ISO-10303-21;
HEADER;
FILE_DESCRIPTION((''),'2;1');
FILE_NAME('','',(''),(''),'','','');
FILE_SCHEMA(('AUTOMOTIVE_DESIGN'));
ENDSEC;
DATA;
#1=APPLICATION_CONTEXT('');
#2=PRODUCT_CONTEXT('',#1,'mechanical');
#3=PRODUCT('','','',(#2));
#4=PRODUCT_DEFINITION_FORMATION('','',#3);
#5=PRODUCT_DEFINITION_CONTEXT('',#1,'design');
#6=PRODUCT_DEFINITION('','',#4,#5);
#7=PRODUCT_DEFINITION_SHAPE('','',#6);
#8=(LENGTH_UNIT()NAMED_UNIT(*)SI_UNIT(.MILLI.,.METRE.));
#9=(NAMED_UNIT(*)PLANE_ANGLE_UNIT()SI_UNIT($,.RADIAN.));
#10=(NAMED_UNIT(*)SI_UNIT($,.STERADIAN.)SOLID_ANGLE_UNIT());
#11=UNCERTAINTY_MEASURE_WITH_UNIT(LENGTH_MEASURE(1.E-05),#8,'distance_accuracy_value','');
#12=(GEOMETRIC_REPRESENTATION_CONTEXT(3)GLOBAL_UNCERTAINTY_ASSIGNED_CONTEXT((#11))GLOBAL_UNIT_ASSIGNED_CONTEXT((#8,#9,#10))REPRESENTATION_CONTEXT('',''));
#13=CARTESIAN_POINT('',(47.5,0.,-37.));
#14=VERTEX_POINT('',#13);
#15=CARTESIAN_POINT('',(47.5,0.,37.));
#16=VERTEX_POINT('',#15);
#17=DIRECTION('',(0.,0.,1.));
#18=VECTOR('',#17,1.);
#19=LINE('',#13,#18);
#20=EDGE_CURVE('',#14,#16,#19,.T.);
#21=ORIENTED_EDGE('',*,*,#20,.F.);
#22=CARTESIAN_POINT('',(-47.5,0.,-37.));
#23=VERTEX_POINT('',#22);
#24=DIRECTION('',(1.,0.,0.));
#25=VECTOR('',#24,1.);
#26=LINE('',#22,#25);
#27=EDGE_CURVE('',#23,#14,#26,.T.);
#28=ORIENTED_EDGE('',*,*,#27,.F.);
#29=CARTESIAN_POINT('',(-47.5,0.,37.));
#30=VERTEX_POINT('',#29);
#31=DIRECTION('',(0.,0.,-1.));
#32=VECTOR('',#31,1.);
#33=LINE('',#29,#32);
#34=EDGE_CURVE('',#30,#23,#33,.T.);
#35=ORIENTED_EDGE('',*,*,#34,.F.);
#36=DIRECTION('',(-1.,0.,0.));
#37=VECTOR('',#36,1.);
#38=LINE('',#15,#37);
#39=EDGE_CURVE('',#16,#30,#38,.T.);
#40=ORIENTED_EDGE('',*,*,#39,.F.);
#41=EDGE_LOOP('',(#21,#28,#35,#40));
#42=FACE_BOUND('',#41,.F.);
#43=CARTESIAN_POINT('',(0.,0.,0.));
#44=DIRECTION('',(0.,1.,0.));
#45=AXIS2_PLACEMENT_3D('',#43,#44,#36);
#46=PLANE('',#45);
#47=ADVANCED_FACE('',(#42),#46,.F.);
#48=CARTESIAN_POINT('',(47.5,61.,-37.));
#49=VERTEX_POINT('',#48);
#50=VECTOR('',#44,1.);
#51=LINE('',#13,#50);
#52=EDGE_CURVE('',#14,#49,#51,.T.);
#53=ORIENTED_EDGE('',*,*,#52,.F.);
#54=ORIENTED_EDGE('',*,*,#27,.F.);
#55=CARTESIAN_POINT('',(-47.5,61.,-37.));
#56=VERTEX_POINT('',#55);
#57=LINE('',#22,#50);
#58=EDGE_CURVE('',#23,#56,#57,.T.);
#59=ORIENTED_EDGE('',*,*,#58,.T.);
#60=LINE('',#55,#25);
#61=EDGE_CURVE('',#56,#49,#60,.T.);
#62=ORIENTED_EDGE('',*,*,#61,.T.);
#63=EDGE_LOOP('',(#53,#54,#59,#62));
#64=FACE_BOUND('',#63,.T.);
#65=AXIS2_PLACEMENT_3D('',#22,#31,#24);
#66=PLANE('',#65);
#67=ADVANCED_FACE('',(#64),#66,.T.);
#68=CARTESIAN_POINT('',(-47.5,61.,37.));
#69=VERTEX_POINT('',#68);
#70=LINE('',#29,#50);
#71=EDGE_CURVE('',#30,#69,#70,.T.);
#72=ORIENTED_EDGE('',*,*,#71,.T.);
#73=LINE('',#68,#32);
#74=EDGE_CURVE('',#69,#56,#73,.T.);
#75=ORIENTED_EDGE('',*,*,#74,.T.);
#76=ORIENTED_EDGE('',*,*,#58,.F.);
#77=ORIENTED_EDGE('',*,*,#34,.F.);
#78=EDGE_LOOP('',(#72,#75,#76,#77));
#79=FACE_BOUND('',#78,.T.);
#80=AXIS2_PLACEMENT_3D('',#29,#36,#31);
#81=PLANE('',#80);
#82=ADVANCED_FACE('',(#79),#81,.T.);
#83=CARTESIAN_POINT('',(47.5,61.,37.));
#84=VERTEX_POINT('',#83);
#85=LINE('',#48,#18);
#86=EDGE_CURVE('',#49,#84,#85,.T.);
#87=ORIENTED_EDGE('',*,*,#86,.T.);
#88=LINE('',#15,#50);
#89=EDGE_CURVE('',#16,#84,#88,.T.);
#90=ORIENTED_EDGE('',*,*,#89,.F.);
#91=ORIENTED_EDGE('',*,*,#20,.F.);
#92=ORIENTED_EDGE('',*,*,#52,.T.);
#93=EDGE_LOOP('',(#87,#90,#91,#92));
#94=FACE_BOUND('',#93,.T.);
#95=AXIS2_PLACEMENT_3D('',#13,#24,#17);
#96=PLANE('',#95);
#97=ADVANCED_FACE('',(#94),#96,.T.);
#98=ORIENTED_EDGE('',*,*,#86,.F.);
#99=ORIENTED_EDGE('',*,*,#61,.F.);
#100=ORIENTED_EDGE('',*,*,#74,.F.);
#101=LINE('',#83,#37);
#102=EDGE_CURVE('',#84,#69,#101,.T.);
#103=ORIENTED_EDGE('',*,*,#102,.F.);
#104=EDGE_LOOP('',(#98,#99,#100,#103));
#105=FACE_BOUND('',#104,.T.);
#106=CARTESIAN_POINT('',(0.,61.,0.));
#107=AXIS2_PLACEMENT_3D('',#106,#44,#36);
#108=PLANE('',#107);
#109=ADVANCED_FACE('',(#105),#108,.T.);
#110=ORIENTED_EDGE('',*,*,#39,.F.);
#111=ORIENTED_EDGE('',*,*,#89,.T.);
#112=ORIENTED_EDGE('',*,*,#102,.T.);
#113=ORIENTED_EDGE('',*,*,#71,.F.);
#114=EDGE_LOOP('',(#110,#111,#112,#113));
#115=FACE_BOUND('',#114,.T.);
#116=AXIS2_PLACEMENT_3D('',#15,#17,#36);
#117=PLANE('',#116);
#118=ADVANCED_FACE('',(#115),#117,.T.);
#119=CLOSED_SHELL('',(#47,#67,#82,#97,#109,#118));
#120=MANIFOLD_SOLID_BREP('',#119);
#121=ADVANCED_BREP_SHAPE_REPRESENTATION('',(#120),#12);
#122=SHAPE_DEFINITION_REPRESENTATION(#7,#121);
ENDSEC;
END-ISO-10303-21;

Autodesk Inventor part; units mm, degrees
ref_plane "YZ Plane" through (0, 0, 0) normal (1, 0, 0) x (0, 1, 0)
ref_plane "XZ Plane" through (0, 0, 0) normal (0, 1, 0) x (-1, 0, 0)
ref_plane "XY Plane" through (0, 0, 0) normal (0, 0, 1) x (1, 0, 0)
sketch "DeckFace" plane through (0, 0, 0) normal (0, 1, 0) x (-1, 0, 0)
  line L0 (-47.5, 37) -> (47.5, 37)
  line L1 (47.5, 37) -> (47.5, -37)
  line L2 (47.5, -37) -> (-47.5, -37)
  line L3 (-47.5, -37) -> (-47.5, 37)
  line L4 (-47.5, 37) -> (47.5, -37) construction
  line L5 (47.5, 37) -> (-47.5, -37) construction
  point P0 (0, 0)
  dimension "d0" = 95
  dimension "d1" = 74
extrude "Extrusion1" add sketch "DeckFace" along normal blind 61
sketch "DeckSide" plane through (-47.5, 0, 37) normal (0, 0, 1) x (1, 0, 0)
  line L0 (0, 61) -> (95, 61) projected
  line L1 (0, 0) -> (0, 61) projected
  line L2 (0, 0) -> (95, 0) projected
  line L3 (95, 0) -> (95, 61) projected
  point P0 (47.5, 0)
sketch "DeckBottom" plane through (47.5, 0, 37) normal (1, 0, 0) x (0, 0, -1)
  line L0 (0, 0) -> (0, 61) projected
  line L1 (0, 61) -> (74, 61) projected
  line L2 (74, 0) -> (74, 61) projected
  line L3 (74, 0) -> (0, 0) projected
  point P0 (37, 0)
equation "\"d0\" = CardHeight"
equation "\"d1\" = CardWidth"
equation "\"d2\" = DeckThickness"
equation "\"CardWidth\" = 74"
equation "\"CardHeight\" = 95"
equation "\"DeckThickness\" = 61"
equation "\"PlateThickness\" = 4"
equation "\"PuzzleWidth\" = 15"
properties part number "MasterPart"
